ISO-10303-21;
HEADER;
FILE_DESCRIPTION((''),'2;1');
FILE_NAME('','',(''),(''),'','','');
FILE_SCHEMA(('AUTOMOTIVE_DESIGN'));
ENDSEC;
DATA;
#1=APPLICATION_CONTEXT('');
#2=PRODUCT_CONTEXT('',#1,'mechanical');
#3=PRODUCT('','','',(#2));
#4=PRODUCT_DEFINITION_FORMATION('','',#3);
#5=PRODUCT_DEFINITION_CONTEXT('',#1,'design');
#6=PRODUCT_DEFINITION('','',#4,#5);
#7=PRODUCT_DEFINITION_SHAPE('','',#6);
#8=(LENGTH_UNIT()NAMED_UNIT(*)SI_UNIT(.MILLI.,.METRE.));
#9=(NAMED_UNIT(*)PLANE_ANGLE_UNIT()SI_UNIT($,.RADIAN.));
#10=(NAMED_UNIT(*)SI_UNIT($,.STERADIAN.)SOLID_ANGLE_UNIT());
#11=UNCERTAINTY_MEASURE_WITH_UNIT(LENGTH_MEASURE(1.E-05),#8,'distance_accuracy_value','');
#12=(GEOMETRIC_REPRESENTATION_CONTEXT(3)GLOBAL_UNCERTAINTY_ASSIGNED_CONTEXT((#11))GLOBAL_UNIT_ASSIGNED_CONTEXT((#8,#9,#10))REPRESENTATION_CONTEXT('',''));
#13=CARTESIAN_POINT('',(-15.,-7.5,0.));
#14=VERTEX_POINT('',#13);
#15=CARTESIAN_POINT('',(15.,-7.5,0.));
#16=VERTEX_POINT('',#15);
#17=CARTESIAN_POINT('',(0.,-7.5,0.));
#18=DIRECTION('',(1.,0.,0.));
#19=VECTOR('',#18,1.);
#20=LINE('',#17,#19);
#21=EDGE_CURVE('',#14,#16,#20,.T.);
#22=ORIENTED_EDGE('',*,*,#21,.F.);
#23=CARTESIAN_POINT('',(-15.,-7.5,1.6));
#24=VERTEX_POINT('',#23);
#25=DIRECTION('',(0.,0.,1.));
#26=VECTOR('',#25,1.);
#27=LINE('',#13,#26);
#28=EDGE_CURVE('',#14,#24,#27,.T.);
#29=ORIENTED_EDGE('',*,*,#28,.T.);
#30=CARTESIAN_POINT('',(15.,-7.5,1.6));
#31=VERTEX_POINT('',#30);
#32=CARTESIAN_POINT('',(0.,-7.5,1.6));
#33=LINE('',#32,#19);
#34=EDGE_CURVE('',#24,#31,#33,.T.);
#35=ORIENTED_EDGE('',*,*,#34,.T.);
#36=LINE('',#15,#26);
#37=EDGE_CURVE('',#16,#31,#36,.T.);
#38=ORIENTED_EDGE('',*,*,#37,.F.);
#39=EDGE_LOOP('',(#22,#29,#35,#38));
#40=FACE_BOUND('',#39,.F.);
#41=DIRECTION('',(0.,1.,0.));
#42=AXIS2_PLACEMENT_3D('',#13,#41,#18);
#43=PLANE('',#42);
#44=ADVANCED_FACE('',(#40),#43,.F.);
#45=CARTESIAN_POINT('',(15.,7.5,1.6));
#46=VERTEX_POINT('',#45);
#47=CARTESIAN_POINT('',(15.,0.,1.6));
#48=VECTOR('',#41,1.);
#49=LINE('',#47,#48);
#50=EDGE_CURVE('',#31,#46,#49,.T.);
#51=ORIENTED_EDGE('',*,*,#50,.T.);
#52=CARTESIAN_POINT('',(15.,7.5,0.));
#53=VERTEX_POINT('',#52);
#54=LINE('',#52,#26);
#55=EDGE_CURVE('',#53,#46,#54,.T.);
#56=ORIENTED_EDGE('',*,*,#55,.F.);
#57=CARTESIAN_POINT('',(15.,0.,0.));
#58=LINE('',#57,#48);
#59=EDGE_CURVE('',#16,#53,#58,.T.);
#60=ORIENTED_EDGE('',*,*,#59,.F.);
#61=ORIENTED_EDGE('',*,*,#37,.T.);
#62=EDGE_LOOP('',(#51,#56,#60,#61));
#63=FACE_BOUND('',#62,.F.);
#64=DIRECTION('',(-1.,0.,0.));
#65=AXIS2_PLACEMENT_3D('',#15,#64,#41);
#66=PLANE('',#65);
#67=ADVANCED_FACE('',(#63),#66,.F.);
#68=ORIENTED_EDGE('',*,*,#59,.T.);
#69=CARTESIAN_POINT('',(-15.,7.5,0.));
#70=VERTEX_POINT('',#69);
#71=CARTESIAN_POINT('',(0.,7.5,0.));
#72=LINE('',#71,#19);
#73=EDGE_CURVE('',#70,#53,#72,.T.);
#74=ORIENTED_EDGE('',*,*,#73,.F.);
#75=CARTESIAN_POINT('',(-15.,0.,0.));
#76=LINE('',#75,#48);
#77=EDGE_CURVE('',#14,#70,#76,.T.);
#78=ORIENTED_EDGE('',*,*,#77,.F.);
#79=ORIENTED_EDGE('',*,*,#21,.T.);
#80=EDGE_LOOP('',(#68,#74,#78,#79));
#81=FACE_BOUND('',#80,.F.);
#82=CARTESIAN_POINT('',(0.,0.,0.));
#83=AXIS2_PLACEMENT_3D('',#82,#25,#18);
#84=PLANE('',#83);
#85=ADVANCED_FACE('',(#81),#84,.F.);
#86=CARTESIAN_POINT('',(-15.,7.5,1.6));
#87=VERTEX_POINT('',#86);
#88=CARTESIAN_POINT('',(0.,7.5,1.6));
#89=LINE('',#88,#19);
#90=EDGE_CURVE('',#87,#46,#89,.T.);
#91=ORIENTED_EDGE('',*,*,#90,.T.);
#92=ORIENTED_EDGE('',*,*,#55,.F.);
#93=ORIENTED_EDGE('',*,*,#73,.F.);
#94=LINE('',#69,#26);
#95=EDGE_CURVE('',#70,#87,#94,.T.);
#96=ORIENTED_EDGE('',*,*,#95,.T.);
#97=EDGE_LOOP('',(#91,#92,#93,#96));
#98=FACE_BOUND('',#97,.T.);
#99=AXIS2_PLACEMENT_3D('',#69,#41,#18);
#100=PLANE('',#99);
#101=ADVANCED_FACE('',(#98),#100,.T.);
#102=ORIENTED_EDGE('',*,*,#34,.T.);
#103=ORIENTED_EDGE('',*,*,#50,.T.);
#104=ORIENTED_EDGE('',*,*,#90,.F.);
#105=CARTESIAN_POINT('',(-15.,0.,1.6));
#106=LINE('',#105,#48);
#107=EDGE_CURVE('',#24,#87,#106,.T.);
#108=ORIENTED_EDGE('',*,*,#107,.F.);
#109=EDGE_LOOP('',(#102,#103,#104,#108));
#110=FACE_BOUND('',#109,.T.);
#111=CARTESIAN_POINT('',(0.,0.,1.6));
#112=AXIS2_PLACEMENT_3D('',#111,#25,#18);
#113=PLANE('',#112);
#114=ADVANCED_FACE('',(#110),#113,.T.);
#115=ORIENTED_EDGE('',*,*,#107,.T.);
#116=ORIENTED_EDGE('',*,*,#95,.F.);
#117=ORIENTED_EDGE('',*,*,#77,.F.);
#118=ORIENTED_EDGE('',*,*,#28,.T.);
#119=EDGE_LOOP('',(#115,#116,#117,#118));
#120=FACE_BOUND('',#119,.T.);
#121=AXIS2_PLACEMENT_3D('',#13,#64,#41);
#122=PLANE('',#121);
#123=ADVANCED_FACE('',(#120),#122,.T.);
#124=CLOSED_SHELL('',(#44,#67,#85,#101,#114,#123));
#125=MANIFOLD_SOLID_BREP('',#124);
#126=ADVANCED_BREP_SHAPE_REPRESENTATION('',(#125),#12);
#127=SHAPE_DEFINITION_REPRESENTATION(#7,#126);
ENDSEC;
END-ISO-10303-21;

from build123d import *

# Parameters (mm, degrees)
SKETCH_W  = 30
SKETCH_H  = 15
PAD_DEPTH = 1.6


with BuildPart() as part:
    # Sketch → Pad (new body)
    with BuildSketch(Plane.XY):
        Rectangle(SKETCH_W, SKETCH_H)
    extrude(amount=PAD_DEPTH)


solid = part.part
